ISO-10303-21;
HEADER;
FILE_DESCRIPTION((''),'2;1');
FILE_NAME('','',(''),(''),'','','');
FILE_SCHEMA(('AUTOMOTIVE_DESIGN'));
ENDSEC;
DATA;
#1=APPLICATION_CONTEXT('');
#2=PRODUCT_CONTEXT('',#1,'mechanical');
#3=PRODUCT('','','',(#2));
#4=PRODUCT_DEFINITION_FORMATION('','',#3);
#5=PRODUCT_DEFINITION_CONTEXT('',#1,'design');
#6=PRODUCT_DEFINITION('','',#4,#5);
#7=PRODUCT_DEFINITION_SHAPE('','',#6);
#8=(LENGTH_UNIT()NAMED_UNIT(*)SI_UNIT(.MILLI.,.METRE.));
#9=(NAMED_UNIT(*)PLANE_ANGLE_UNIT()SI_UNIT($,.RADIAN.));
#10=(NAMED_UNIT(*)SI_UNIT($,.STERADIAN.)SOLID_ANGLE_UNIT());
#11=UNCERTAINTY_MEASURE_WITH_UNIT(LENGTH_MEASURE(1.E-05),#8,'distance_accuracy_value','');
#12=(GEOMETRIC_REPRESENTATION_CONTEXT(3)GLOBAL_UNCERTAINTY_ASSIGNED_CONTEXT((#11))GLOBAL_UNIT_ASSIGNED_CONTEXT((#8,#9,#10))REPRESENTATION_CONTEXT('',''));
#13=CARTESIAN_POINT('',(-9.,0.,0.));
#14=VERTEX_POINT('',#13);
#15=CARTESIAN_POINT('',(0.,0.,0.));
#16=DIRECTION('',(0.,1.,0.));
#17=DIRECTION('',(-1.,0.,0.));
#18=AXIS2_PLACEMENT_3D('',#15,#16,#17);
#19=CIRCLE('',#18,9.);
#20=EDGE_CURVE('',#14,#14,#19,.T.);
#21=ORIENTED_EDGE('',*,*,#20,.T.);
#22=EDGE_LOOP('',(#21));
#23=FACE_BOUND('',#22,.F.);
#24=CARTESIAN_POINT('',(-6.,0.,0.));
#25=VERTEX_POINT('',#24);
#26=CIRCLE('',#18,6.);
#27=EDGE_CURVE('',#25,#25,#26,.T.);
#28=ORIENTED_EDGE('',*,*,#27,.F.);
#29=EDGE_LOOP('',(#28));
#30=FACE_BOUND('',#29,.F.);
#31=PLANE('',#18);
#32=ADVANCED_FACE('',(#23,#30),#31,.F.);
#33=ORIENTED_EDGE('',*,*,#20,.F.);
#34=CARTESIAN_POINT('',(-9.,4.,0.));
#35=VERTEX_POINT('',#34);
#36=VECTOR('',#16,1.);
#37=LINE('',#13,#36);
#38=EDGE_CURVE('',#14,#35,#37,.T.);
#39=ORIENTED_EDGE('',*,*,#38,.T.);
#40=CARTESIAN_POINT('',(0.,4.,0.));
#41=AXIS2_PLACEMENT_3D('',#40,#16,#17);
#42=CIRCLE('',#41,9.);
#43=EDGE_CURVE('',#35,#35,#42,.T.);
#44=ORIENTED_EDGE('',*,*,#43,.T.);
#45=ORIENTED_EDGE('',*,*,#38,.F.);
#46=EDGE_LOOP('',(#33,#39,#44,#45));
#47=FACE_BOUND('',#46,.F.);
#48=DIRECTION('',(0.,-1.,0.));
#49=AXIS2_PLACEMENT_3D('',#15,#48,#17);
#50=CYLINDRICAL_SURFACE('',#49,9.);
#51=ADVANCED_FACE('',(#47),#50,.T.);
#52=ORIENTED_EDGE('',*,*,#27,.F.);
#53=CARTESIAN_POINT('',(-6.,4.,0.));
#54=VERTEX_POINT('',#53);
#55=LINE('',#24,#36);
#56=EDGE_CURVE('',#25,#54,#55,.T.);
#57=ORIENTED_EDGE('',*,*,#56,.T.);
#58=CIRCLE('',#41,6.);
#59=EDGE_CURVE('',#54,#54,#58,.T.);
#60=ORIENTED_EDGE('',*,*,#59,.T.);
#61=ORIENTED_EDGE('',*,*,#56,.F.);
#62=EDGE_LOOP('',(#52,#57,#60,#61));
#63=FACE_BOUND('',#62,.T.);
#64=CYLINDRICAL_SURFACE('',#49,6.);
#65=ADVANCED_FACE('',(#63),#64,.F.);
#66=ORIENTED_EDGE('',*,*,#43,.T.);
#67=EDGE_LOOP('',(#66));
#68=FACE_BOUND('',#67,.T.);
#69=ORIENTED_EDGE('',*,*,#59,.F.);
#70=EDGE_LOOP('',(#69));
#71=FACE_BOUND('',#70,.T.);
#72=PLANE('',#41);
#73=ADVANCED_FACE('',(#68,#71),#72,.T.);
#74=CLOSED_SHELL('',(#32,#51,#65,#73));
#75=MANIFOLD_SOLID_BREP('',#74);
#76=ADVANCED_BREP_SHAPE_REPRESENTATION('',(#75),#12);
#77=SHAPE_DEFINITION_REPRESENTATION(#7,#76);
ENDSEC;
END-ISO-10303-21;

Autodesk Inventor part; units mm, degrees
ref_plane "YZ Plane" through (0, 0, 0) normal (1, 0, 0) x (0, 1, 0)
ref_plane "XZ Plane" through (0, 0, 0) normal (0, 1, 0) x (-1, 0, 0)
ref_plane "XY Plane" through (0, 0, 0) normal (0, 0, 1) x (1, 0, 0)
sketch "スケッチ1" plane through (0, 0, 0) normal (0, 1, 0) x (-1, 0, 0)
  circle A0 centre (0, 0) radius 6
  circle A1 centre (0, 0) radius 9
  dimension "d0" = 12
  dimension "d1" = 18
extrude "押し出し1" add sketch "スケッチ1" along normal blind 4
properties part number "ベアリング1218.4t" material "ステンレス鋼"
